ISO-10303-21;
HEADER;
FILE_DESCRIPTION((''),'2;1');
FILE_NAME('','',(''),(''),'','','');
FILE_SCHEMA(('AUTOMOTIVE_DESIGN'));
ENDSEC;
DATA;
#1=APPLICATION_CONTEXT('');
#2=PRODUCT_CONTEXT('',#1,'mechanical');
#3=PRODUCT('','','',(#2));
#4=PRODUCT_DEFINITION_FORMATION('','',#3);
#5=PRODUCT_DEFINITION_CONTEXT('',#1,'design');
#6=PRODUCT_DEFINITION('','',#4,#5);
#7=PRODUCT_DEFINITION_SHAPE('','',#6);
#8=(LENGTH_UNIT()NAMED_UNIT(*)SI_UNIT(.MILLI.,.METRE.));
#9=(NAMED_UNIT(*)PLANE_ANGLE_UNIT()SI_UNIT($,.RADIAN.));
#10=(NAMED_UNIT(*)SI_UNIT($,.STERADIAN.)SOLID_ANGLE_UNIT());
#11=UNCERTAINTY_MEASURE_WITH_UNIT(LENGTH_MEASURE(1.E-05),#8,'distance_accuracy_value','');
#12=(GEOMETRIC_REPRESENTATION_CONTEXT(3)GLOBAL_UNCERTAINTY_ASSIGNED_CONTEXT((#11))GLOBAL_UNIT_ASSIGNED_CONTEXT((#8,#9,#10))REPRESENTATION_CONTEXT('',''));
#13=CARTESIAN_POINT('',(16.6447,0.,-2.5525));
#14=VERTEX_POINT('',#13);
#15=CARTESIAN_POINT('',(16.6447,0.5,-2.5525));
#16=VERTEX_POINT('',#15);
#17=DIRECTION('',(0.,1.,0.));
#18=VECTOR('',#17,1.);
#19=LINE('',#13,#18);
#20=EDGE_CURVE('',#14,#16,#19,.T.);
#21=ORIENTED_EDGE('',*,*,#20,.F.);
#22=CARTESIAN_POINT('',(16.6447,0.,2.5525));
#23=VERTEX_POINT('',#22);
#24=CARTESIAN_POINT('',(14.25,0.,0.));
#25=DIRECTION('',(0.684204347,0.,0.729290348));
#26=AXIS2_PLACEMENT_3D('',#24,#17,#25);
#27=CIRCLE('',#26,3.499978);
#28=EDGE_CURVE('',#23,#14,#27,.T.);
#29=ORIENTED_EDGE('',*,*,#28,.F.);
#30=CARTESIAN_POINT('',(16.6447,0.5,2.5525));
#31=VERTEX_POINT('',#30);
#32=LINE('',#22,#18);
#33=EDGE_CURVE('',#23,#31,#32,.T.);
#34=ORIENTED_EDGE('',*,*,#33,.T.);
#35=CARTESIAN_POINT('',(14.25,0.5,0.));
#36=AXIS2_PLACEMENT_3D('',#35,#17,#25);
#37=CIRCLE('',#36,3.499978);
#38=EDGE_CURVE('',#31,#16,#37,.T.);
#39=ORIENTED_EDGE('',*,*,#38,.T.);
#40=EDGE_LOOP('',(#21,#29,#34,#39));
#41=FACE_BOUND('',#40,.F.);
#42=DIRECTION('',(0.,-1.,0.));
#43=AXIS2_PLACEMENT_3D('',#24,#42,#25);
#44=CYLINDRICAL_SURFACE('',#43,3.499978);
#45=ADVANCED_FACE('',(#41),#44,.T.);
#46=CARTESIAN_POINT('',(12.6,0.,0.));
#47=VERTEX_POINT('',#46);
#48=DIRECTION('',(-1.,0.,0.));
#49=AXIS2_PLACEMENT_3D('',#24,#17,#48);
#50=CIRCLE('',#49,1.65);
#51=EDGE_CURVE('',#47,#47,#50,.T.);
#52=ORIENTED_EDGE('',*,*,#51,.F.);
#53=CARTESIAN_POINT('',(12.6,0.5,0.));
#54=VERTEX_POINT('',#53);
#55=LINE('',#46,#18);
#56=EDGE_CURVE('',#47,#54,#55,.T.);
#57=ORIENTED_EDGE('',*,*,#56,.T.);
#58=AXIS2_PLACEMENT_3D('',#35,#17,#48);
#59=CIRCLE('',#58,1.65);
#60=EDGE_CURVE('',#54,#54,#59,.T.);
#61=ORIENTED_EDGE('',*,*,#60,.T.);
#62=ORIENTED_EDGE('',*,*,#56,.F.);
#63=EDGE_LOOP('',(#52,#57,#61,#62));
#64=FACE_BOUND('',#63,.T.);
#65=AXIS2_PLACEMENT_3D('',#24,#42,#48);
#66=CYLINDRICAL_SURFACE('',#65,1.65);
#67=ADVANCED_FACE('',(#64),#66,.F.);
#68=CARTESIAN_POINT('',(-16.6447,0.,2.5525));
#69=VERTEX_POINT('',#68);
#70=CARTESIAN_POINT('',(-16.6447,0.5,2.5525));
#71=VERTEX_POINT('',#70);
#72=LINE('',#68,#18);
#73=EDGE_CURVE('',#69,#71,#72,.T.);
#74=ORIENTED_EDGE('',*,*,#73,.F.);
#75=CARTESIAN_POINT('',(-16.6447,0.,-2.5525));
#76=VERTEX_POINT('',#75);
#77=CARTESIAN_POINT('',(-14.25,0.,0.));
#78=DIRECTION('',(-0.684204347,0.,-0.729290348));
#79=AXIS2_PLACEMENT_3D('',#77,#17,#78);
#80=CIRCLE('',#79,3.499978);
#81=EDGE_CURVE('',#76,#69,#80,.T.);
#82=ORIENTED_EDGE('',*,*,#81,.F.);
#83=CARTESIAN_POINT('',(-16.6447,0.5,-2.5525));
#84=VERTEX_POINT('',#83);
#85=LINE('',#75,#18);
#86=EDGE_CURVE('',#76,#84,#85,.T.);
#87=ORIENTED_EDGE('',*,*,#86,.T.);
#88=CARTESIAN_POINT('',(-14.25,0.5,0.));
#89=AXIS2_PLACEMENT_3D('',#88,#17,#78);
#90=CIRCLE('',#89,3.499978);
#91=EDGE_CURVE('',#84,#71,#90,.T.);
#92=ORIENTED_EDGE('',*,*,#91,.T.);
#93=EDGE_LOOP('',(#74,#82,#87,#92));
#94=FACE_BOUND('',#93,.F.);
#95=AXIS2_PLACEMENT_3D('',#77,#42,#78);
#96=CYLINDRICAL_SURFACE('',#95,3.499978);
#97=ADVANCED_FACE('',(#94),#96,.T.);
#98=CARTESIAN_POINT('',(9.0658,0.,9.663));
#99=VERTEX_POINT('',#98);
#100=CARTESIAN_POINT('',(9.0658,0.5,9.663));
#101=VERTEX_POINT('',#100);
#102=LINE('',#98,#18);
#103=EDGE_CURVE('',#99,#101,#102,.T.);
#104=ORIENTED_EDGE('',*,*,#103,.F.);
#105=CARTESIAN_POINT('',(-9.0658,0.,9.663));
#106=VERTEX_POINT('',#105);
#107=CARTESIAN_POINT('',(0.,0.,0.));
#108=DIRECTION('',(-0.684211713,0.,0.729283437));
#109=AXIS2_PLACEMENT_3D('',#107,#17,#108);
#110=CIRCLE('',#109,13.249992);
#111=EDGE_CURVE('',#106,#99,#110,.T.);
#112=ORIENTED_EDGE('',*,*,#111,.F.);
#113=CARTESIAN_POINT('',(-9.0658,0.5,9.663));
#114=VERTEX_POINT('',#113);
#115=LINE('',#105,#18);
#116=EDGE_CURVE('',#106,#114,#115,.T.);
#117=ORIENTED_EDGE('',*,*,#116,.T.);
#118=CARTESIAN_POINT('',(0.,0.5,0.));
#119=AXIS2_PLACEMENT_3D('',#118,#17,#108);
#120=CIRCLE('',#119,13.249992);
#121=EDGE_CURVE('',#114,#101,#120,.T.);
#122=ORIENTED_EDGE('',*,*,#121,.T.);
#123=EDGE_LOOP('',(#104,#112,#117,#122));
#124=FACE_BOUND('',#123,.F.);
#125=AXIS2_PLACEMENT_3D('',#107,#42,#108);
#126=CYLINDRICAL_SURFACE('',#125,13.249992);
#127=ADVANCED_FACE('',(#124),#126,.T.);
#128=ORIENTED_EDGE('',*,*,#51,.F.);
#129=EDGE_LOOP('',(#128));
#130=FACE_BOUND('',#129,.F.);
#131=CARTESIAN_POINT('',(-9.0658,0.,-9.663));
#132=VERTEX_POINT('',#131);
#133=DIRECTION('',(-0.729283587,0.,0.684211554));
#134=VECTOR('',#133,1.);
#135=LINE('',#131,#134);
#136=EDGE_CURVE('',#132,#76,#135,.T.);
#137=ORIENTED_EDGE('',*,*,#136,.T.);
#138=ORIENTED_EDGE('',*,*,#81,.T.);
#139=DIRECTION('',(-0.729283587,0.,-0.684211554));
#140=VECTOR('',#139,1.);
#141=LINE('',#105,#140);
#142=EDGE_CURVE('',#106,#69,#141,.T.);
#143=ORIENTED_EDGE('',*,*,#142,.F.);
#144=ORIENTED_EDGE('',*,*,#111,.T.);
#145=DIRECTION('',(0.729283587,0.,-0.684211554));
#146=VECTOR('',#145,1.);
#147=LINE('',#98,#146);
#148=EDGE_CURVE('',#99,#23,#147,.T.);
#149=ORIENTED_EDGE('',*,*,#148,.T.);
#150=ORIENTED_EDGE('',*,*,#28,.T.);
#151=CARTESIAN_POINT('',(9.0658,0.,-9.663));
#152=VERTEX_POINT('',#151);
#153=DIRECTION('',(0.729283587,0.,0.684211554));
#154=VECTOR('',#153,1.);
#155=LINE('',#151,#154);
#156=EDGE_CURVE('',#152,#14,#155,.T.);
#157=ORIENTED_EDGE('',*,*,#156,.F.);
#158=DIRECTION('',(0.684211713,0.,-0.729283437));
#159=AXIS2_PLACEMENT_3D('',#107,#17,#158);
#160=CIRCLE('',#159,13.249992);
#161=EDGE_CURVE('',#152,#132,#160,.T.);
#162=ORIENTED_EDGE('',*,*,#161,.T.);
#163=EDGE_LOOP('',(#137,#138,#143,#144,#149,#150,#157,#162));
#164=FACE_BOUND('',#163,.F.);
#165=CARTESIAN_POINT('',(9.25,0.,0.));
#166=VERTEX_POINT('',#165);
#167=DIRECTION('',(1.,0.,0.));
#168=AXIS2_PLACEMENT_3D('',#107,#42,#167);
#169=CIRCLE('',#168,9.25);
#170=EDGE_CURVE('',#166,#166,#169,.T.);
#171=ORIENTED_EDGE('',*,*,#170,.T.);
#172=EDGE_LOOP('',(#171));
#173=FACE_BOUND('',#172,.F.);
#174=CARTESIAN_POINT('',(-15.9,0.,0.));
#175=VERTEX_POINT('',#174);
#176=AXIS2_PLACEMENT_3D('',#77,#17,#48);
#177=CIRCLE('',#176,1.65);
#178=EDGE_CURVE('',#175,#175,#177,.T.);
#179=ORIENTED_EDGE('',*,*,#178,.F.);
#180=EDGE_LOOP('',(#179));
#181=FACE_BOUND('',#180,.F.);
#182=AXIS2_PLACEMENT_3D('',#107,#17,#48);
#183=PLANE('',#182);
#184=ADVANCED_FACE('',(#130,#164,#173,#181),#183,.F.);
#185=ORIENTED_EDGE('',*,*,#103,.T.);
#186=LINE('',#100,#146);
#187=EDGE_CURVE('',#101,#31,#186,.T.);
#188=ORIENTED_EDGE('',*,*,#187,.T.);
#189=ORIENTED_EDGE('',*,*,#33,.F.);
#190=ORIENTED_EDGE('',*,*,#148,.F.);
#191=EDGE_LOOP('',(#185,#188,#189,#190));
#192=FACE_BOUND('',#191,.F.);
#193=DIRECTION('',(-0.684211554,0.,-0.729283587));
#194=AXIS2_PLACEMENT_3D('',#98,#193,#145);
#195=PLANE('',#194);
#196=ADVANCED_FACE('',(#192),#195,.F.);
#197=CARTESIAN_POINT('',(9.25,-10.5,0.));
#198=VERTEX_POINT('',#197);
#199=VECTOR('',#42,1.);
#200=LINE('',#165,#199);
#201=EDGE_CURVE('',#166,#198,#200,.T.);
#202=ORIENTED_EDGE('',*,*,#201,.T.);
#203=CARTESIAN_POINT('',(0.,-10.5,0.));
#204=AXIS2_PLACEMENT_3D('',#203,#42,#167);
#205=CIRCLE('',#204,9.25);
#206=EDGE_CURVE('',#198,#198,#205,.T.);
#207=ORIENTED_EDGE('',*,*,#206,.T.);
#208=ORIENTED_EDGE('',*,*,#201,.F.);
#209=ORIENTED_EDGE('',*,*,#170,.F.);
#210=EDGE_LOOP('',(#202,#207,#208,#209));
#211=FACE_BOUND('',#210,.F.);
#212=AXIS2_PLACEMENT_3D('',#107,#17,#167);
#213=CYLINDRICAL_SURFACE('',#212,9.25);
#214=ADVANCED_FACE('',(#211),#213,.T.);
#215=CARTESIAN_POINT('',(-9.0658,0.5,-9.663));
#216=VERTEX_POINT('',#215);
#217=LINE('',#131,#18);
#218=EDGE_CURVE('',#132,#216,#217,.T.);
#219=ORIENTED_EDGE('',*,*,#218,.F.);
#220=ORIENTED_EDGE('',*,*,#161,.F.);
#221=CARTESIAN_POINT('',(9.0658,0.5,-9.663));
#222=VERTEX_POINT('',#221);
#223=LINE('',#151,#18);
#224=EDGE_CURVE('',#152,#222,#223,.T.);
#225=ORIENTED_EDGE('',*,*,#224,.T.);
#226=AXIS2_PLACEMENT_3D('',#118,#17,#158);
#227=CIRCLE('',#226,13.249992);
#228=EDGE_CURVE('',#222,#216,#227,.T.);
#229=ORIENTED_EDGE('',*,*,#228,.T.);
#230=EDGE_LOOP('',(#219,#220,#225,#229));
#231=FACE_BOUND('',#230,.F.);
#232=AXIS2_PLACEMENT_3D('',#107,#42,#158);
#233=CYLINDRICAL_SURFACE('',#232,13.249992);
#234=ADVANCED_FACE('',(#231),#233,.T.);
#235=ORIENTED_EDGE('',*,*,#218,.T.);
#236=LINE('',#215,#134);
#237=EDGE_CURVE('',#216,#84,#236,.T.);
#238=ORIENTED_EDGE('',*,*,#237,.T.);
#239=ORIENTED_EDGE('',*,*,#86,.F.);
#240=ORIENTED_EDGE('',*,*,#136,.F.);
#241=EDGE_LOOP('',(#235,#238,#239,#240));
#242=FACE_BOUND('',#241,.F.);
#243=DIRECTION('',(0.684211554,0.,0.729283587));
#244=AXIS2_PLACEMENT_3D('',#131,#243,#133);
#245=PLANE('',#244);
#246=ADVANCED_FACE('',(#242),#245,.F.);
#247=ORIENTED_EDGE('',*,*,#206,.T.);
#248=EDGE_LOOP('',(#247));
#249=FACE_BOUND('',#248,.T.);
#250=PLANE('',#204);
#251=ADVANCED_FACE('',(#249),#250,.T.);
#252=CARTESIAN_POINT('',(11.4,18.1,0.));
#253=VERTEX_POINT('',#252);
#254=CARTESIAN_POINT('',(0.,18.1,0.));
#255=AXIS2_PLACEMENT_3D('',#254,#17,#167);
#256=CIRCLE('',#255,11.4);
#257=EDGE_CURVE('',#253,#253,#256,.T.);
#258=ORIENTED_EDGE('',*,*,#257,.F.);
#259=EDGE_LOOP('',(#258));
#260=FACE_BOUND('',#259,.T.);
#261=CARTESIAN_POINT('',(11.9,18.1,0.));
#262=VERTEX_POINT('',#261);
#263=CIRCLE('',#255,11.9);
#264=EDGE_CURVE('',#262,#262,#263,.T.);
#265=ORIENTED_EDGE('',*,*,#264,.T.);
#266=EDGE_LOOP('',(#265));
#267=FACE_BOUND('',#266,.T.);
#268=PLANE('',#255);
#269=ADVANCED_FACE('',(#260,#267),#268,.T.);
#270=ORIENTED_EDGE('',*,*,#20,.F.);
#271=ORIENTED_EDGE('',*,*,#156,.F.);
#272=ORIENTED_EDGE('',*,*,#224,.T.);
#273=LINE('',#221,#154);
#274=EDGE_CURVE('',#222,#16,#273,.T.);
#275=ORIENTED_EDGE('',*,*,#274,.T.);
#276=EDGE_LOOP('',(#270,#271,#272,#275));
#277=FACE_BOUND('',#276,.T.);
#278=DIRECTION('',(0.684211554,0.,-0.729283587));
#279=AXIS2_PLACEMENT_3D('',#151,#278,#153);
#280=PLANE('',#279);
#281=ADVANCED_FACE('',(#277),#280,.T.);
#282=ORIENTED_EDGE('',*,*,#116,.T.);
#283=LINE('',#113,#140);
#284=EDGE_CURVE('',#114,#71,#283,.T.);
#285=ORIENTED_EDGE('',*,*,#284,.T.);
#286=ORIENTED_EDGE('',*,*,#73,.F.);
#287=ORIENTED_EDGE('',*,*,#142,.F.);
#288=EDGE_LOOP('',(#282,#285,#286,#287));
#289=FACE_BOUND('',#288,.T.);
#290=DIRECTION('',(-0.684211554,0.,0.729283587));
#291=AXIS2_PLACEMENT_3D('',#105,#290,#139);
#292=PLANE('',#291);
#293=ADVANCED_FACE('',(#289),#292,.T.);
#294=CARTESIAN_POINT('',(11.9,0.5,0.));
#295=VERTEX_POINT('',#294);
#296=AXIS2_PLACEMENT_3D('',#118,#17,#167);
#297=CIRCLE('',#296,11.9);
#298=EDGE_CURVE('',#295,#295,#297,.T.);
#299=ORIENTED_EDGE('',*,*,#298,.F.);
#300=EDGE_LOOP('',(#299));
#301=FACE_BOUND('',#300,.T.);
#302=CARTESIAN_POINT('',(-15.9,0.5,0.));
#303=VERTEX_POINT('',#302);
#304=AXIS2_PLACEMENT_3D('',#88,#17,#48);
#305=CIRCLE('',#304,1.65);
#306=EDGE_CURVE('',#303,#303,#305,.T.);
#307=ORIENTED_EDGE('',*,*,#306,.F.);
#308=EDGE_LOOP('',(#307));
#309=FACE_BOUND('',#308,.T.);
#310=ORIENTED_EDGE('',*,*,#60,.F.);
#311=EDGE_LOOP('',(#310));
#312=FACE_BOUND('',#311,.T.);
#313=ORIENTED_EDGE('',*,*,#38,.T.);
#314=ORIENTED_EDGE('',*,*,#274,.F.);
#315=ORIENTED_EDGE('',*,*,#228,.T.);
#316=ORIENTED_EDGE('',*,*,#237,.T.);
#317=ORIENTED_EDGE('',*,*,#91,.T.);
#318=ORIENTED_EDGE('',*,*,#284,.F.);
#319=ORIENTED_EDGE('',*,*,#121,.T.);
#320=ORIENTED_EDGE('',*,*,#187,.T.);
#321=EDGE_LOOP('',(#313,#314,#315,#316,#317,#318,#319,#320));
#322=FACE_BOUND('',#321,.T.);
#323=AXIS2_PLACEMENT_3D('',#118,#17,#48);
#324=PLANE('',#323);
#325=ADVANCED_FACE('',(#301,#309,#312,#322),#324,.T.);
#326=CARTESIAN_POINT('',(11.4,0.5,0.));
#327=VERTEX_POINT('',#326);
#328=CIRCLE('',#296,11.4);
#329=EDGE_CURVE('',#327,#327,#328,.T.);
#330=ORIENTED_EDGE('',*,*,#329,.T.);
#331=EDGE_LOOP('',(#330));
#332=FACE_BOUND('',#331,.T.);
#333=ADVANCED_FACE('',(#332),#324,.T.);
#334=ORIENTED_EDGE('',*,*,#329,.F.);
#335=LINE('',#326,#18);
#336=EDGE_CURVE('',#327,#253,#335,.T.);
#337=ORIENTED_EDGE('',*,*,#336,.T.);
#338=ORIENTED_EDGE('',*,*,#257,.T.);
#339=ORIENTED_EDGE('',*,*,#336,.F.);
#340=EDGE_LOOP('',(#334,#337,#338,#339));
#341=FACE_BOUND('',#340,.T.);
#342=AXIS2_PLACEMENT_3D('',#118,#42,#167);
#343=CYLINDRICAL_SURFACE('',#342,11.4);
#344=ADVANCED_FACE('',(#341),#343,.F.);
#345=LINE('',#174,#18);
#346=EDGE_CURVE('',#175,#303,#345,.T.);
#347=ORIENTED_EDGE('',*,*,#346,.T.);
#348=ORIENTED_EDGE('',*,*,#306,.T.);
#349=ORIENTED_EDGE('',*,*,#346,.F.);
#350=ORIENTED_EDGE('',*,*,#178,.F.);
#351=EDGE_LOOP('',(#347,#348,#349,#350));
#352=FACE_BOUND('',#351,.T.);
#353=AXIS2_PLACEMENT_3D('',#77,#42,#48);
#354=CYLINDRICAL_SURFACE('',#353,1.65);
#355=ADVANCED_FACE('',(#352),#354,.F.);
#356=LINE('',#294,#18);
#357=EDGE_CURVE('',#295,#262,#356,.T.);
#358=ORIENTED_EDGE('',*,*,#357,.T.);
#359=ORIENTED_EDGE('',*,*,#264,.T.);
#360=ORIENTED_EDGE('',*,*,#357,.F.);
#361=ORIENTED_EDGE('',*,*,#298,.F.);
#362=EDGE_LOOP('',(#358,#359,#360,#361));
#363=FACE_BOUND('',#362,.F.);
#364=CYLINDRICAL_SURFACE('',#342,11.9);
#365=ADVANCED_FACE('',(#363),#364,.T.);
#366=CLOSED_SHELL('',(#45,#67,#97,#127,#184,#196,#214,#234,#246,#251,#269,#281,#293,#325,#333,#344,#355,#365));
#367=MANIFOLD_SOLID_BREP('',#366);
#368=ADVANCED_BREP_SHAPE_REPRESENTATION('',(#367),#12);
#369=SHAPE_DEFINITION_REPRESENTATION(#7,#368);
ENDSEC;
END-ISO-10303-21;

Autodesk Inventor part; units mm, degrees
ref_plane "YZ Plane" through (0, 0, 0) normal (1, 0, 0) x (0, 1, 0)
ref_plane "XZ Plane" through (0, 0, 0) normal (0, 1, 0) x (-1, 0, 0)
ref_plane "XY Plane" through (0, 0, 0) normal (0, 0, 1) x (1, 0, 0)
sketch "Sketch1" plane through (0, 0, 0) normal (0, 1, 0) x (-1, 0, 0)
  line L0 (0, 0) -> (14.25, 0) construction
  circle A0 centre (14.25, 0) radius 1.65
  line L1 (0, 0) -> (17.75, 0) construction
  line L2 (17.75, 0) -> (17.75, -0.5019) construction
  line L3 (9.0658, 9.663) -> (16.6447, 2.5525)
  line L4 (9.0658, -9.663) -> (16.6447, -2.5525)
  arc A1 (16.6447, -2.5525) -> (16.6447, 2.5525) centre (14.25, 0) ccw
  line L5 (0, 0) -> (0, -5) construction
  circle A2 centre (-14.25, 0) radius 1.65
  line L6 (-9.0658, 9.663) -> (-16.6447, 2.5525)
  line L7 (-9.0658, -9.663) -> (-16.6447, -2.5525)
  arc A3 (-16.6447, 2.5525) -> (-16.6447, -2.5525) centre (-14.25, 0) ccw
  arc A4 (9.0658, 9.663) -> (-9.0658, 9.663) centre (0, 0) ccw
  arc A5 (-9.0658, -9.663) -> (9.0658, -9.663) centre (0, 0) ccw
  dimension "d1" = 14.25
  dimension "d2" = 3.3
  dimension "d3" = 17.75
  dimension "d7" = 13.25
  dimension "d8" = 5
extrude "Extrusion1" add sketch "Sketch1" along normal blind 0.5
sketch "Sketch2" plane through (0, 0.5, 0) normal (0, 1, 0) x (1, 0, 0)
  circle A0 centre (0, 0) radius 11.9
  circle A1 centre (0, 0) radius 11.4
  dimension "d11" = 23.8
  dimension "d12" = 22.8
extrude "Extrusion2" add sketch "Sketch2" along normal blind 17.6
sketch "Sketch3" plane through (0, 0, 0) normal (0, -1, 0) x (1, 0, 0)
  circle A0 centre (0, 0) radius 9.25
  dimension "d15" = 18.5
extrude "Extrusion3" add sketch "Sketch3" along normal blind 10.5
properties part number "tube socket 9 pin"
